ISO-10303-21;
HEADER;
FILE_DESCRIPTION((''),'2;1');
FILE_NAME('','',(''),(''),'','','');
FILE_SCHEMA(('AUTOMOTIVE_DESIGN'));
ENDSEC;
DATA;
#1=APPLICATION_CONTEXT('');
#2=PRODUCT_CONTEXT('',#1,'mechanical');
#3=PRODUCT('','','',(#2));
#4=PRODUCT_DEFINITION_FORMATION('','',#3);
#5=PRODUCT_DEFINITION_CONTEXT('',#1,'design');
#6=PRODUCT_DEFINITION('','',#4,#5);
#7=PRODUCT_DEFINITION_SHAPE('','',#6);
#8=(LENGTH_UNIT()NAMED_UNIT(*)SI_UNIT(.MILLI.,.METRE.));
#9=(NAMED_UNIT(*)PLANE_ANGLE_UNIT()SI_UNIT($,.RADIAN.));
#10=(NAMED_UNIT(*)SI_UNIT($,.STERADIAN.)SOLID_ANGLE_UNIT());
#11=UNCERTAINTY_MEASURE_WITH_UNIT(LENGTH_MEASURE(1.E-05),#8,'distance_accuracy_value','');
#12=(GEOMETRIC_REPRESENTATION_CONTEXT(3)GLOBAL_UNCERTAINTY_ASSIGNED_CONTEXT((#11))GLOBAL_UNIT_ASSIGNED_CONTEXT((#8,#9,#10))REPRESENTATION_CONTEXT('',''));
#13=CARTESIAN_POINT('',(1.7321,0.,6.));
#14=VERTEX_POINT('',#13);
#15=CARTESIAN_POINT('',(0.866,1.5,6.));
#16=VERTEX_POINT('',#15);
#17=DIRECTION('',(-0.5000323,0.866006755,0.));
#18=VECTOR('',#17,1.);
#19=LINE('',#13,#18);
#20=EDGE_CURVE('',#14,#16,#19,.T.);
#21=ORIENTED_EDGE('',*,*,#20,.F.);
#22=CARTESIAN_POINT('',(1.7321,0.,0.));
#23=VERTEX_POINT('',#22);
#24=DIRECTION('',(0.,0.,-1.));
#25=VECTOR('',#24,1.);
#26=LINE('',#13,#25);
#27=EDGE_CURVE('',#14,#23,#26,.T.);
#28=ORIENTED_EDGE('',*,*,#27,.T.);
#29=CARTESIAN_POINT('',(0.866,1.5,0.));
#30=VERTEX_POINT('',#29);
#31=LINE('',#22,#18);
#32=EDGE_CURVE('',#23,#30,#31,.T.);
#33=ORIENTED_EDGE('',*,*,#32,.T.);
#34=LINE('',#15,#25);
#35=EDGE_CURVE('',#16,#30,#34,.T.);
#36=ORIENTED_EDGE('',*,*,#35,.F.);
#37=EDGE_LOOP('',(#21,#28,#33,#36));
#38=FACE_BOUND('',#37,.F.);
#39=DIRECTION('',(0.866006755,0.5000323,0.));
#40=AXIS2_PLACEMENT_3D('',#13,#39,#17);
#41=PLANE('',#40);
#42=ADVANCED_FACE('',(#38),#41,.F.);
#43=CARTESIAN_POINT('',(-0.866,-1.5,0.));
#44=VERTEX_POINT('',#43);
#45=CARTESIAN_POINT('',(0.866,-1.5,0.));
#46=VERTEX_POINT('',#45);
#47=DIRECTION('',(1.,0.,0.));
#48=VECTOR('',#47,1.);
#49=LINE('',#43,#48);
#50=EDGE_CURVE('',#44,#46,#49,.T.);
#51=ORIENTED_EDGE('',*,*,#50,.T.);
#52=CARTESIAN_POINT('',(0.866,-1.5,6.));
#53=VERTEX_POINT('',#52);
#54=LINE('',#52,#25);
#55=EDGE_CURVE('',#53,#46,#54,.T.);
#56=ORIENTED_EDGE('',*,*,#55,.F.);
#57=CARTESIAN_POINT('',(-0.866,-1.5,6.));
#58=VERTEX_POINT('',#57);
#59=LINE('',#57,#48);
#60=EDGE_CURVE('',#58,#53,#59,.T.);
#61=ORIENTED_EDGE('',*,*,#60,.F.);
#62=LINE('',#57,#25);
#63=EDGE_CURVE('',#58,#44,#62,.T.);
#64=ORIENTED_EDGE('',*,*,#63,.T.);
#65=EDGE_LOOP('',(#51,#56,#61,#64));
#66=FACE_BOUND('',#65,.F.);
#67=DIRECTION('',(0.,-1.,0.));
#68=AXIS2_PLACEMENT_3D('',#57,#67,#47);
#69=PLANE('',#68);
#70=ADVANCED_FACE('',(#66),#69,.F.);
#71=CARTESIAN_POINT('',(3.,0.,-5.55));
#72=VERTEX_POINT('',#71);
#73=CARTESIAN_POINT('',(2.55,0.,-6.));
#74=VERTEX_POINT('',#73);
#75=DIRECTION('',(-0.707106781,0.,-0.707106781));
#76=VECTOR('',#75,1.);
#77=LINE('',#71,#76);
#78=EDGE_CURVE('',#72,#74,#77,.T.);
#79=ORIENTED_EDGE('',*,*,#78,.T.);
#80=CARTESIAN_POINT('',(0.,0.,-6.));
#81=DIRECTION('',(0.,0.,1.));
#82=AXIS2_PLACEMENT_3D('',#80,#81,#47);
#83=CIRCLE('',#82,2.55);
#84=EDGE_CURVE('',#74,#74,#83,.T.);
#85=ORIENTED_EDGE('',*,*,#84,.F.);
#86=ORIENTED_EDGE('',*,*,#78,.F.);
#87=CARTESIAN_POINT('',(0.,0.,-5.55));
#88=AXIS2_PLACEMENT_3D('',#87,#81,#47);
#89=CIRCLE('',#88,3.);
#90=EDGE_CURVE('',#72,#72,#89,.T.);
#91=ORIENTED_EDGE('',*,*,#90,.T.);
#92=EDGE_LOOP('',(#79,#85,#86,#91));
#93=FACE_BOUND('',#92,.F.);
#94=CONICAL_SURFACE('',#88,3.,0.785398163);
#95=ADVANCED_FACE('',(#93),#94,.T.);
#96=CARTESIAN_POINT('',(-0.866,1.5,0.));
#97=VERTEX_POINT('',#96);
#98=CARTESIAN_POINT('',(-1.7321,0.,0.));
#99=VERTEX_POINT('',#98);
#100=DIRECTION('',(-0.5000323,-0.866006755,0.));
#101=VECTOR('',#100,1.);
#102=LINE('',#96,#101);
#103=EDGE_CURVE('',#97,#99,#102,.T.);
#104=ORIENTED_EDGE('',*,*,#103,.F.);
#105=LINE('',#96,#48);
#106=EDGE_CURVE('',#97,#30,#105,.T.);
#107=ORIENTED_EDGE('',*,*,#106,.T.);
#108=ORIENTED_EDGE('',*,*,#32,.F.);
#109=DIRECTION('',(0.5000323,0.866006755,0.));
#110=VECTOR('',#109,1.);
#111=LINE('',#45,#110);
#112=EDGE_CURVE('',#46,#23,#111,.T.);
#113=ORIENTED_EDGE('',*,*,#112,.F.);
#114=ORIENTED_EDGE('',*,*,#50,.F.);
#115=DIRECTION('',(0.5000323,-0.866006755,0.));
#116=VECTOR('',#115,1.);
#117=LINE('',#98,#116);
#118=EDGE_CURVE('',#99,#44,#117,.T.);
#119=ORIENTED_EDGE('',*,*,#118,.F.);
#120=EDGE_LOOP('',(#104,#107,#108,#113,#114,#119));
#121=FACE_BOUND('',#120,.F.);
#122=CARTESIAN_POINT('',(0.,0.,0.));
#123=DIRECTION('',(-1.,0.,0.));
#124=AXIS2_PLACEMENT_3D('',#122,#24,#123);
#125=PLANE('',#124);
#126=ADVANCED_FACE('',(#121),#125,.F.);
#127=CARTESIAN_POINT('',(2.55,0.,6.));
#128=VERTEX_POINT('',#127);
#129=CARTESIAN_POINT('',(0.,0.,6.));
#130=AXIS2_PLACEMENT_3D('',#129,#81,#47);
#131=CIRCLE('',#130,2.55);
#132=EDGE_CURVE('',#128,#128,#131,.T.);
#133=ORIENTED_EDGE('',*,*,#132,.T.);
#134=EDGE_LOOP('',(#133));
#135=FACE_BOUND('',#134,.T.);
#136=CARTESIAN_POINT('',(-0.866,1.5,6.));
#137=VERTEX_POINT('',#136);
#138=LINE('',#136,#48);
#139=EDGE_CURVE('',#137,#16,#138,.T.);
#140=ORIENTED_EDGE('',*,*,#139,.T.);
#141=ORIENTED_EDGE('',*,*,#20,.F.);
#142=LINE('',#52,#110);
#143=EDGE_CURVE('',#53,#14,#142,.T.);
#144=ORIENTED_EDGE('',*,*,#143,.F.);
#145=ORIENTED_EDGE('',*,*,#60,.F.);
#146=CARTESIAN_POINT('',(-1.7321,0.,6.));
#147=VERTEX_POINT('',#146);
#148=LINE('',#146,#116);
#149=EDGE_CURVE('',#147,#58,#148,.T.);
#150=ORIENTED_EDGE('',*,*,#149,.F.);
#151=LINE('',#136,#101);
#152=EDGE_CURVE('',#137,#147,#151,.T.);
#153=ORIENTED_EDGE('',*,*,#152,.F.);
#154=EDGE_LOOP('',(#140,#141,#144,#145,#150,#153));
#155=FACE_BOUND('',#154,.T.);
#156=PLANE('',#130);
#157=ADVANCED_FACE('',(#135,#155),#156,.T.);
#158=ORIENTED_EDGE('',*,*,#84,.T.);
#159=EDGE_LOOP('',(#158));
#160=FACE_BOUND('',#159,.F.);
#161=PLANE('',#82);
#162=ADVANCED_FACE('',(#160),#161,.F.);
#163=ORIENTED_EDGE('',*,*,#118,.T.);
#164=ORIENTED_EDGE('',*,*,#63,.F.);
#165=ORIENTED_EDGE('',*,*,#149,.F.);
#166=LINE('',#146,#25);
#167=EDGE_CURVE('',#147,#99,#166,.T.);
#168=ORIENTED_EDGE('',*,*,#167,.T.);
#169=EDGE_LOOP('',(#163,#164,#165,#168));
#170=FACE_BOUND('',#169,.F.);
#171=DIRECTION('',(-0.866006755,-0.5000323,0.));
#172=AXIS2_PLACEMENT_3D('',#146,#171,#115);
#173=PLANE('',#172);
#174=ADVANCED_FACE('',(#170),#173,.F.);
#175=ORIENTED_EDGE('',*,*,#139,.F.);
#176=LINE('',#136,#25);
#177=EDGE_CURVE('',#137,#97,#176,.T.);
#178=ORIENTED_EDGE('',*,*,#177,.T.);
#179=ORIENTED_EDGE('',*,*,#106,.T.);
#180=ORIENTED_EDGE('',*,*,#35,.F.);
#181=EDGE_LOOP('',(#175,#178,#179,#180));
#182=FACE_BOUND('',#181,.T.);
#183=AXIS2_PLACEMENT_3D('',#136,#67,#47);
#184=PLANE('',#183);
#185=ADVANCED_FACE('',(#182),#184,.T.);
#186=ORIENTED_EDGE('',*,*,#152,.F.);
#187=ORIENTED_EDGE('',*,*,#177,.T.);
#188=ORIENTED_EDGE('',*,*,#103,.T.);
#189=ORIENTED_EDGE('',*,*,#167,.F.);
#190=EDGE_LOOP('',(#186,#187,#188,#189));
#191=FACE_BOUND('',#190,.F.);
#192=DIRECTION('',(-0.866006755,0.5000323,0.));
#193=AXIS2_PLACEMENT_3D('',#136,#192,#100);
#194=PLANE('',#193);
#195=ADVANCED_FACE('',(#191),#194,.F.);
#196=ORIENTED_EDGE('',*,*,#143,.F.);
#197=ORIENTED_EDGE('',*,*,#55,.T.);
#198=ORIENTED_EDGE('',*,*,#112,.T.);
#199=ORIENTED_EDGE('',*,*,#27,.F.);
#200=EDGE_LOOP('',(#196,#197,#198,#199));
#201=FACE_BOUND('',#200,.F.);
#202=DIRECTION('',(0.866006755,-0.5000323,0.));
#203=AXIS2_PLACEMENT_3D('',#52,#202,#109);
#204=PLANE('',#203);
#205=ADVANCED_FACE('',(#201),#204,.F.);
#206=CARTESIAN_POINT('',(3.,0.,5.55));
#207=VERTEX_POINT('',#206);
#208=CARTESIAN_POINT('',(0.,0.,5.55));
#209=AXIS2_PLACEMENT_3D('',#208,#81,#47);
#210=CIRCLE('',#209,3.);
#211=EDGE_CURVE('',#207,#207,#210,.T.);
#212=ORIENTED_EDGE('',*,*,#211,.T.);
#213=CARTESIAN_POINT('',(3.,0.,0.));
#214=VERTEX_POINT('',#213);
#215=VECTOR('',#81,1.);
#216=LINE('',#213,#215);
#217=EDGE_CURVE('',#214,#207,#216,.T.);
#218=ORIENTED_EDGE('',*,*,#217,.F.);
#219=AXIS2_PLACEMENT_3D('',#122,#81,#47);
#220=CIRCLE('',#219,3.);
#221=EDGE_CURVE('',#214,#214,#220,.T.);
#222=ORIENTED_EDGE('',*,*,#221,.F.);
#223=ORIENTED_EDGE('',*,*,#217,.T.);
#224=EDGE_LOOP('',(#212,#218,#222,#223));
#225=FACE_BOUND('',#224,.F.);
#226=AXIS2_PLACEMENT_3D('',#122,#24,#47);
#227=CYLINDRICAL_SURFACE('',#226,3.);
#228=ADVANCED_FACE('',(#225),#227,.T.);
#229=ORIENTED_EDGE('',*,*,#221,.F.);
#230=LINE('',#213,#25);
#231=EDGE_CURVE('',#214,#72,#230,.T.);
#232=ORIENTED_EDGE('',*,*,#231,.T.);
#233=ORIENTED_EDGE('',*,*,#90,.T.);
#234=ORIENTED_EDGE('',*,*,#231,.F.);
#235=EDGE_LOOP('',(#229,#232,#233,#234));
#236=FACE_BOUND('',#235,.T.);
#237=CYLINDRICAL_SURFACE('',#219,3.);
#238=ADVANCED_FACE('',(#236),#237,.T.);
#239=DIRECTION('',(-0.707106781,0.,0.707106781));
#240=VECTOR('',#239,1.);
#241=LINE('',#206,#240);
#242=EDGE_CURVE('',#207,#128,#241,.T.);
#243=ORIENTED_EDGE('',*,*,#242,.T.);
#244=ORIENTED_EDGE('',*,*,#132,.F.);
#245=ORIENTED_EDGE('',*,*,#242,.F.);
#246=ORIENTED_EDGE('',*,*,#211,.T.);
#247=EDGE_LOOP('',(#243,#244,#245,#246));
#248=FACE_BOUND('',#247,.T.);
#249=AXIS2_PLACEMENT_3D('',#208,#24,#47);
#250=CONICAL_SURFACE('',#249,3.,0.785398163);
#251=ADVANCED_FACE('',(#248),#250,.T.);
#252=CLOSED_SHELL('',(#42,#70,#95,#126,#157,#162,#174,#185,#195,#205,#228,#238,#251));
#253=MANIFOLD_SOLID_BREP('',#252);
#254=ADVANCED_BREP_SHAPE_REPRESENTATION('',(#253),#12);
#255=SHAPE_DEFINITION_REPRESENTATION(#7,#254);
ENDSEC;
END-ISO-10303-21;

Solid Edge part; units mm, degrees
sketch "Sketch1" plane through (0, 0, 0) normal (0, 0, 1) x (1, 0, 0)
  circle A0 centre (0, 0) radius 3
  dimension "D1" = 6
extrude "Protrusion1" add sketch "Sketch1" along normal mid plane 12
chamfer "Chamfer1" distance 0.45 angle 45 2 edges at (-3, 0, -6) (-3, 0, 6)
sketch "Sketch2" plane through (0, 0, 6) normal (0, 0, 1) x (1, 0, 0)
  line L0 (-0.866, 1.5) -> (0.866, 1.5)
  line L1 (1.7321, 0) -> (0.866, 1.5)
  line L2 (0.866, -1.5) -> (1.7321, 0)
  line L3 (-0.866, -1.5) -> (0.866, -1.5)
  line L4 (-1.7321, 0) -> (-0.866, -1.5)
  line L5 (-0.866, 1.5) -> (-1.7321, 0)
  dimension "D1" = 3
extrude "Cutout1" cut sketch "Sketch2" against normal blind 6
properties part number "185797" material "Stainless Steel, 304"
